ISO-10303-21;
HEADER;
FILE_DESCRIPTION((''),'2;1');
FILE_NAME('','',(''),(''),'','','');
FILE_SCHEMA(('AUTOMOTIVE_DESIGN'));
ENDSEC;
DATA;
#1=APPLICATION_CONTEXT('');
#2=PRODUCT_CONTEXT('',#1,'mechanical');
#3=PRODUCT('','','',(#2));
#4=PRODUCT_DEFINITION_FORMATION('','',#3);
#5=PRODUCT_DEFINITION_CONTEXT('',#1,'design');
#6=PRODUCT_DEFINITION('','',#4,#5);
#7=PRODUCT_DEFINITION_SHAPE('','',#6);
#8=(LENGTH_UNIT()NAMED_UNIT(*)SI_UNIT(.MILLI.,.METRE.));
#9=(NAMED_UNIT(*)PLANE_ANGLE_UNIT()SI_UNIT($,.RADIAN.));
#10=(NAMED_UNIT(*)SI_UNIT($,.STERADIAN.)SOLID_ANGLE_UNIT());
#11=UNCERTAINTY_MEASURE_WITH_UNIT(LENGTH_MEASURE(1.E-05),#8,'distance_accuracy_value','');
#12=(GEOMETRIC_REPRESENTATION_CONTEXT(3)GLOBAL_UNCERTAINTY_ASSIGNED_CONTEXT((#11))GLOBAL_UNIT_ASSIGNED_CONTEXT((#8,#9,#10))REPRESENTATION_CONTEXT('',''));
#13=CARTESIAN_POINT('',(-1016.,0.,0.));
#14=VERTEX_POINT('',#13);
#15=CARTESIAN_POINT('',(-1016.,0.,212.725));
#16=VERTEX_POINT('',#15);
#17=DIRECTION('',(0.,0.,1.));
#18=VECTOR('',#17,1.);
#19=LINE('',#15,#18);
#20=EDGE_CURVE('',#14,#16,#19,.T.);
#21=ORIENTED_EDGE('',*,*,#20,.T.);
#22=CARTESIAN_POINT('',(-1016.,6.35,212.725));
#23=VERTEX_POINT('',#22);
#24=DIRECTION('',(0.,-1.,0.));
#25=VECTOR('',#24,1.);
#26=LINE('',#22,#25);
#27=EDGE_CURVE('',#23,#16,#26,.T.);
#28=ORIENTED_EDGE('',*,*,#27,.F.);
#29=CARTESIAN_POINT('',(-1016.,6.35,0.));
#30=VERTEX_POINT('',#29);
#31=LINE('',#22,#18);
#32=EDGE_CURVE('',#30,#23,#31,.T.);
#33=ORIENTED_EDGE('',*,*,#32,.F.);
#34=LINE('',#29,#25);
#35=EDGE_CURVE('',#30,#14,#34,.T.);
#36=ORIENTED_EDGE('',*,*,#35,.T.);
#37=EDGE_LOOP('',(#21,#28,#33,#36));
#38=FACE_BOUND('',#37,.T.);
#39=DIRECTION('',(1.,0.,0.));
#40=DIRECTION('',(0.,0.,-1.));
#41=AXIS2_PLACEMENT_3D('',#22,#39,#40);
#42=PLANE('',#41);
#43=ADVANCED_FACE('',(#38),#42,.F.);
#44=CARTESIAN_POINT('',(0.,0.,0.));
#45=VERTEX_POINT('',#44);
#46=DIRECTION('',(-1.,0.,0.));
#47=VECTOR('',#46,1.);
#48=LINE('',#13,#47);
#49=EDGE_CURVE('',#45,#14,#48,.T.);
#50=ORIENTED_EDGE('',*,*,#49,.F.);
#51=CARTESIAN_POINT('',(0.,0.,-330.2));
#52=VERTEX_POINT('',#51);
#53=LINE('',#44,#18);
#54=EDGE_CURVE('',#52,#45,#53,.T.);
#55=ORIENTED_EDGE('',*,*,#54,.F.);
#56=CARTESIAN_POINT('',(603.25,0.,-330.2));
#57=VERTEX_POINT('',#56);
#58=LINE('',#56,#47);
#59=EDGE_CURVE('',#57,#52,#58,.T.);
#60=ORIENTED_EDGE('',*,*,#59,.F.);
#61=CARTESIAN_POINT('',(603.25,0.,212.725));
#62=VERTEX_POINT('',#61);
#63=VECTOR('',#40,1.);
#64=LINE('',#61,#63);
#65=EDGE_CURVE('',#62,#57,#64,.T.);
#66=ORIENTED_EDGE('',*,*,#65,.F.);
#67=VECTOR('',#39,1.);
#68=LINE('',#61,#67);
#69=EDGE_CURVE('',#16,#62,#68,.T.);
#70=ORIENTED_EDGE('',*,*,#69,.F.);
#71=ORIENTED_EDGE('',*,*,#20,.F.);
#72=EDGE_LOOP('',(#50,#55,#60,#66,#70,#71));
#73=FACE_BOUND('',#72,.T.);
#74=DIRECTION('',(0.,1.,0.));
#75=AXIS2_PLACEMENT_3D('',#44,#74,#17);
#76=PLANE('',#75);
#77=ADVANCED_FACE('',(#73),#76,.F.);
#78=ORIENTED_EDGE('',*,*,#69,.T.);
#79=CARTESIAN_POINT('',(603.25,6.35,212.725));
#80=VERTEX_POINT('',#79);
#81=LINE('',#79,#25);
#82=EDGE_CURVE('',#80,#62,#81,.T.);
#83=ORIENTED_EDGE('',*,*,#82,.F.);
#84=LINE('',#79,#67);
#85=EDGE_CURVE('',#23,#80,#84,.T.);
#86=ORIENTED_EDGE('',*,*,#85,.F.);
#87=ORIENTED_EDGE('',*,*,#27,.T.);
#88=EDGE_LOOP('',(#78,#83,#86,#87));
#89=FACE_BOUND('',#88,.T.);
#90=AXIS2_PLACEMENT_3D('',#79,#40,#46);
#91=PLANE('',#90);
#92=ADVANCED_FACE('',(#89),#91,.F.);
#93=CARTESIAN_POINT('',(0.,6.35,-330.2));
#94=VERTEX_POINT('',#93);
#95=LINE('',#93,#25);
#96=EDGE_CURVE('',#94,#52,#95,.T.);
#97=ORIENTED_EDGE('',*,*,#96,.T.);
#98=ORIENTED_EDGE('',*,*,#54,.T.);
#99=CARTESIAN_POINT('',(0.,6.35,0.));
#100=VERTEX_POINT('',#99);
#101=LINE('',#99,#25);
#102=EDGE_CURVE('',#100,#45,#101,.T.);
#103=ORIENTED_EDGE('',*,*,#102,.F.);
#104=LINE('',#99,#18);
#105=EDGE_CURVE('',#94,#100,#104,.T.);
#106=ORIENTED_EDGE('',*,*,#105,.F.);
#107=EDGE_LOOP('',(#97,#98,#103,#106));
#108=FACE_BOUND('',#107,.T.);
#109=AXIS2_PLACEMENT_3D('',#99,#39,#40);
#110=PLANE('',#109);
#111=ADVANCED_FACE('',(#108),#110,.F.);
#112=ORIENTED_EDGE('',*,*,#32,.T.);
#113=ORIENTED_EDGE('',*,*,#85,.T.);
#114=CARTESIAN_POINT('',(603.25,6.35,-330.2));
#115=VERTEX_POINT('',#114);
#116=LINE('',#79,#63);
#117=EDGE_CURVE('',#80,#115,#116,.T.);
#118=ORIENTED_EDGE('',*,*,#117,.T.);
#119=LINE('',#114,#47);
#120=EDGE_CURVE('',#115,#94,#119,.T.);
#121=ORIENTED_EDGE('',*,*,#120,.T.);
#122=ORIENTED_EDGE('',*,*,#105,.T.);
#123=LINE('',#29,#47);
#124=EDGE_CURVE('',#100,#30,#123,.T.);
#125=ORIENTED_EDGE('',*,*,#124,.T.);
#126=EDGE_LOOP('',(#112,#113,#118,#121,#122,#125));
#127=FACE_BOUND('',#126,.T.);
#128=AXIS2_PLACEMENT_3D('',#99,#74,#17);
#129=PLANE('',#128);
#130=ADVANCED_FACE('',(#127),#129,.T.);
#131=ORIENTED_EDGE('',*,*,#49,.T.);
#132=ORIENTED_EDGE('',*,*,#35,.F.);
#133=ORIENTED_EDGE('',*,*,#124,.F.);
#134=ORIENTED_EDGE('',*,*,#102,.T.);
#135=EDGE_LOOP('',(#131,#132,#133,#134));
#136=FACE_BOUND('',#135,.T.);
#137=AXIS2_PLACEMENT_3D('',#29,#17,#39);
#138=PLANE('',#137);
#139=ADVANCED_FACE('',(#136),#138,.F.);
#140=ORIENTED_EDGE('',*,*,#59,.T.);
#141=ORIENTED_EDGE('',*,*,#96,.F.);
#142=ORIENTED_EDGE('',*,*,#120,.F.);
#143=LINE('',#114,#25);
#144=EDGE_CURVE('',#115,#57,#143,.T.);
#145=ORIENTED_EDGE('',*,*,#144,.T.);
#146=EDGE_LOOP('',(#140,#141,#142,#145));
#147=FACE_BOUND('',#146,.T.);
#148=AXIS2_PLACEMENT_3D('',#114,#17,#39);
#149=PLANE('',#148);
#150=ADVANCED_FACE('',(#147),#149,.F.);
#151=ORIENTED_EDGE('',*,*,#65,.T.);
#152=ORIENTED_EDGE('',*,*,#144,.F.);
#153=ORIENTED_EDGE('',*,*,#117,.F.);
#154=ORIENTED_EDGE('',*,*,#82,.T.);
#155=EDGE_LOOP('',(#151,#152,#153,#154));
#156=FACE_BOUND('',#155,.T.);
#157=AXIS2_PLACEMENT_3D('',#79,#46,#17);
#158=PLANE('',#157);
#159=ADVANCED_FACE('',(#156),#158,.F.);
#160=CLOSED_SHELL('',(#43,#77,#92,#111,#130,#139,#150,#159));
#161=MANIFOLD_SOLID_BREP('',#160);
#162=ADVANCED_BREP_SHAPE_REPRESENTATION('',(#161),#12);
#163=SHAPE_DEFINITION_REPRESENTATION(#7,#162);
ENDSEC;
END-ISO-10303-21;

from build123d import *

# Parameters (mm, degrees)
BOSS_EXTRUDE1_DEPTH = 6.35


with BuildPart() as part:
    # Sketch1 → Boss-Extrude1 (new body)
    with BuildSketch(Plane(origin=(0, 0, 0), x_dir=(1, 0, 0), z_dir=(0, 1, 0))):
        Polygon((-1016, 0), (0, 0), (0, 330.2), (603.25, 330.2), (603.25, -212.725), (-1016, -212.725), align=None)
    extrude(amount=BOSS_EXTRUDE1_DEPTH)


solid = part.part
